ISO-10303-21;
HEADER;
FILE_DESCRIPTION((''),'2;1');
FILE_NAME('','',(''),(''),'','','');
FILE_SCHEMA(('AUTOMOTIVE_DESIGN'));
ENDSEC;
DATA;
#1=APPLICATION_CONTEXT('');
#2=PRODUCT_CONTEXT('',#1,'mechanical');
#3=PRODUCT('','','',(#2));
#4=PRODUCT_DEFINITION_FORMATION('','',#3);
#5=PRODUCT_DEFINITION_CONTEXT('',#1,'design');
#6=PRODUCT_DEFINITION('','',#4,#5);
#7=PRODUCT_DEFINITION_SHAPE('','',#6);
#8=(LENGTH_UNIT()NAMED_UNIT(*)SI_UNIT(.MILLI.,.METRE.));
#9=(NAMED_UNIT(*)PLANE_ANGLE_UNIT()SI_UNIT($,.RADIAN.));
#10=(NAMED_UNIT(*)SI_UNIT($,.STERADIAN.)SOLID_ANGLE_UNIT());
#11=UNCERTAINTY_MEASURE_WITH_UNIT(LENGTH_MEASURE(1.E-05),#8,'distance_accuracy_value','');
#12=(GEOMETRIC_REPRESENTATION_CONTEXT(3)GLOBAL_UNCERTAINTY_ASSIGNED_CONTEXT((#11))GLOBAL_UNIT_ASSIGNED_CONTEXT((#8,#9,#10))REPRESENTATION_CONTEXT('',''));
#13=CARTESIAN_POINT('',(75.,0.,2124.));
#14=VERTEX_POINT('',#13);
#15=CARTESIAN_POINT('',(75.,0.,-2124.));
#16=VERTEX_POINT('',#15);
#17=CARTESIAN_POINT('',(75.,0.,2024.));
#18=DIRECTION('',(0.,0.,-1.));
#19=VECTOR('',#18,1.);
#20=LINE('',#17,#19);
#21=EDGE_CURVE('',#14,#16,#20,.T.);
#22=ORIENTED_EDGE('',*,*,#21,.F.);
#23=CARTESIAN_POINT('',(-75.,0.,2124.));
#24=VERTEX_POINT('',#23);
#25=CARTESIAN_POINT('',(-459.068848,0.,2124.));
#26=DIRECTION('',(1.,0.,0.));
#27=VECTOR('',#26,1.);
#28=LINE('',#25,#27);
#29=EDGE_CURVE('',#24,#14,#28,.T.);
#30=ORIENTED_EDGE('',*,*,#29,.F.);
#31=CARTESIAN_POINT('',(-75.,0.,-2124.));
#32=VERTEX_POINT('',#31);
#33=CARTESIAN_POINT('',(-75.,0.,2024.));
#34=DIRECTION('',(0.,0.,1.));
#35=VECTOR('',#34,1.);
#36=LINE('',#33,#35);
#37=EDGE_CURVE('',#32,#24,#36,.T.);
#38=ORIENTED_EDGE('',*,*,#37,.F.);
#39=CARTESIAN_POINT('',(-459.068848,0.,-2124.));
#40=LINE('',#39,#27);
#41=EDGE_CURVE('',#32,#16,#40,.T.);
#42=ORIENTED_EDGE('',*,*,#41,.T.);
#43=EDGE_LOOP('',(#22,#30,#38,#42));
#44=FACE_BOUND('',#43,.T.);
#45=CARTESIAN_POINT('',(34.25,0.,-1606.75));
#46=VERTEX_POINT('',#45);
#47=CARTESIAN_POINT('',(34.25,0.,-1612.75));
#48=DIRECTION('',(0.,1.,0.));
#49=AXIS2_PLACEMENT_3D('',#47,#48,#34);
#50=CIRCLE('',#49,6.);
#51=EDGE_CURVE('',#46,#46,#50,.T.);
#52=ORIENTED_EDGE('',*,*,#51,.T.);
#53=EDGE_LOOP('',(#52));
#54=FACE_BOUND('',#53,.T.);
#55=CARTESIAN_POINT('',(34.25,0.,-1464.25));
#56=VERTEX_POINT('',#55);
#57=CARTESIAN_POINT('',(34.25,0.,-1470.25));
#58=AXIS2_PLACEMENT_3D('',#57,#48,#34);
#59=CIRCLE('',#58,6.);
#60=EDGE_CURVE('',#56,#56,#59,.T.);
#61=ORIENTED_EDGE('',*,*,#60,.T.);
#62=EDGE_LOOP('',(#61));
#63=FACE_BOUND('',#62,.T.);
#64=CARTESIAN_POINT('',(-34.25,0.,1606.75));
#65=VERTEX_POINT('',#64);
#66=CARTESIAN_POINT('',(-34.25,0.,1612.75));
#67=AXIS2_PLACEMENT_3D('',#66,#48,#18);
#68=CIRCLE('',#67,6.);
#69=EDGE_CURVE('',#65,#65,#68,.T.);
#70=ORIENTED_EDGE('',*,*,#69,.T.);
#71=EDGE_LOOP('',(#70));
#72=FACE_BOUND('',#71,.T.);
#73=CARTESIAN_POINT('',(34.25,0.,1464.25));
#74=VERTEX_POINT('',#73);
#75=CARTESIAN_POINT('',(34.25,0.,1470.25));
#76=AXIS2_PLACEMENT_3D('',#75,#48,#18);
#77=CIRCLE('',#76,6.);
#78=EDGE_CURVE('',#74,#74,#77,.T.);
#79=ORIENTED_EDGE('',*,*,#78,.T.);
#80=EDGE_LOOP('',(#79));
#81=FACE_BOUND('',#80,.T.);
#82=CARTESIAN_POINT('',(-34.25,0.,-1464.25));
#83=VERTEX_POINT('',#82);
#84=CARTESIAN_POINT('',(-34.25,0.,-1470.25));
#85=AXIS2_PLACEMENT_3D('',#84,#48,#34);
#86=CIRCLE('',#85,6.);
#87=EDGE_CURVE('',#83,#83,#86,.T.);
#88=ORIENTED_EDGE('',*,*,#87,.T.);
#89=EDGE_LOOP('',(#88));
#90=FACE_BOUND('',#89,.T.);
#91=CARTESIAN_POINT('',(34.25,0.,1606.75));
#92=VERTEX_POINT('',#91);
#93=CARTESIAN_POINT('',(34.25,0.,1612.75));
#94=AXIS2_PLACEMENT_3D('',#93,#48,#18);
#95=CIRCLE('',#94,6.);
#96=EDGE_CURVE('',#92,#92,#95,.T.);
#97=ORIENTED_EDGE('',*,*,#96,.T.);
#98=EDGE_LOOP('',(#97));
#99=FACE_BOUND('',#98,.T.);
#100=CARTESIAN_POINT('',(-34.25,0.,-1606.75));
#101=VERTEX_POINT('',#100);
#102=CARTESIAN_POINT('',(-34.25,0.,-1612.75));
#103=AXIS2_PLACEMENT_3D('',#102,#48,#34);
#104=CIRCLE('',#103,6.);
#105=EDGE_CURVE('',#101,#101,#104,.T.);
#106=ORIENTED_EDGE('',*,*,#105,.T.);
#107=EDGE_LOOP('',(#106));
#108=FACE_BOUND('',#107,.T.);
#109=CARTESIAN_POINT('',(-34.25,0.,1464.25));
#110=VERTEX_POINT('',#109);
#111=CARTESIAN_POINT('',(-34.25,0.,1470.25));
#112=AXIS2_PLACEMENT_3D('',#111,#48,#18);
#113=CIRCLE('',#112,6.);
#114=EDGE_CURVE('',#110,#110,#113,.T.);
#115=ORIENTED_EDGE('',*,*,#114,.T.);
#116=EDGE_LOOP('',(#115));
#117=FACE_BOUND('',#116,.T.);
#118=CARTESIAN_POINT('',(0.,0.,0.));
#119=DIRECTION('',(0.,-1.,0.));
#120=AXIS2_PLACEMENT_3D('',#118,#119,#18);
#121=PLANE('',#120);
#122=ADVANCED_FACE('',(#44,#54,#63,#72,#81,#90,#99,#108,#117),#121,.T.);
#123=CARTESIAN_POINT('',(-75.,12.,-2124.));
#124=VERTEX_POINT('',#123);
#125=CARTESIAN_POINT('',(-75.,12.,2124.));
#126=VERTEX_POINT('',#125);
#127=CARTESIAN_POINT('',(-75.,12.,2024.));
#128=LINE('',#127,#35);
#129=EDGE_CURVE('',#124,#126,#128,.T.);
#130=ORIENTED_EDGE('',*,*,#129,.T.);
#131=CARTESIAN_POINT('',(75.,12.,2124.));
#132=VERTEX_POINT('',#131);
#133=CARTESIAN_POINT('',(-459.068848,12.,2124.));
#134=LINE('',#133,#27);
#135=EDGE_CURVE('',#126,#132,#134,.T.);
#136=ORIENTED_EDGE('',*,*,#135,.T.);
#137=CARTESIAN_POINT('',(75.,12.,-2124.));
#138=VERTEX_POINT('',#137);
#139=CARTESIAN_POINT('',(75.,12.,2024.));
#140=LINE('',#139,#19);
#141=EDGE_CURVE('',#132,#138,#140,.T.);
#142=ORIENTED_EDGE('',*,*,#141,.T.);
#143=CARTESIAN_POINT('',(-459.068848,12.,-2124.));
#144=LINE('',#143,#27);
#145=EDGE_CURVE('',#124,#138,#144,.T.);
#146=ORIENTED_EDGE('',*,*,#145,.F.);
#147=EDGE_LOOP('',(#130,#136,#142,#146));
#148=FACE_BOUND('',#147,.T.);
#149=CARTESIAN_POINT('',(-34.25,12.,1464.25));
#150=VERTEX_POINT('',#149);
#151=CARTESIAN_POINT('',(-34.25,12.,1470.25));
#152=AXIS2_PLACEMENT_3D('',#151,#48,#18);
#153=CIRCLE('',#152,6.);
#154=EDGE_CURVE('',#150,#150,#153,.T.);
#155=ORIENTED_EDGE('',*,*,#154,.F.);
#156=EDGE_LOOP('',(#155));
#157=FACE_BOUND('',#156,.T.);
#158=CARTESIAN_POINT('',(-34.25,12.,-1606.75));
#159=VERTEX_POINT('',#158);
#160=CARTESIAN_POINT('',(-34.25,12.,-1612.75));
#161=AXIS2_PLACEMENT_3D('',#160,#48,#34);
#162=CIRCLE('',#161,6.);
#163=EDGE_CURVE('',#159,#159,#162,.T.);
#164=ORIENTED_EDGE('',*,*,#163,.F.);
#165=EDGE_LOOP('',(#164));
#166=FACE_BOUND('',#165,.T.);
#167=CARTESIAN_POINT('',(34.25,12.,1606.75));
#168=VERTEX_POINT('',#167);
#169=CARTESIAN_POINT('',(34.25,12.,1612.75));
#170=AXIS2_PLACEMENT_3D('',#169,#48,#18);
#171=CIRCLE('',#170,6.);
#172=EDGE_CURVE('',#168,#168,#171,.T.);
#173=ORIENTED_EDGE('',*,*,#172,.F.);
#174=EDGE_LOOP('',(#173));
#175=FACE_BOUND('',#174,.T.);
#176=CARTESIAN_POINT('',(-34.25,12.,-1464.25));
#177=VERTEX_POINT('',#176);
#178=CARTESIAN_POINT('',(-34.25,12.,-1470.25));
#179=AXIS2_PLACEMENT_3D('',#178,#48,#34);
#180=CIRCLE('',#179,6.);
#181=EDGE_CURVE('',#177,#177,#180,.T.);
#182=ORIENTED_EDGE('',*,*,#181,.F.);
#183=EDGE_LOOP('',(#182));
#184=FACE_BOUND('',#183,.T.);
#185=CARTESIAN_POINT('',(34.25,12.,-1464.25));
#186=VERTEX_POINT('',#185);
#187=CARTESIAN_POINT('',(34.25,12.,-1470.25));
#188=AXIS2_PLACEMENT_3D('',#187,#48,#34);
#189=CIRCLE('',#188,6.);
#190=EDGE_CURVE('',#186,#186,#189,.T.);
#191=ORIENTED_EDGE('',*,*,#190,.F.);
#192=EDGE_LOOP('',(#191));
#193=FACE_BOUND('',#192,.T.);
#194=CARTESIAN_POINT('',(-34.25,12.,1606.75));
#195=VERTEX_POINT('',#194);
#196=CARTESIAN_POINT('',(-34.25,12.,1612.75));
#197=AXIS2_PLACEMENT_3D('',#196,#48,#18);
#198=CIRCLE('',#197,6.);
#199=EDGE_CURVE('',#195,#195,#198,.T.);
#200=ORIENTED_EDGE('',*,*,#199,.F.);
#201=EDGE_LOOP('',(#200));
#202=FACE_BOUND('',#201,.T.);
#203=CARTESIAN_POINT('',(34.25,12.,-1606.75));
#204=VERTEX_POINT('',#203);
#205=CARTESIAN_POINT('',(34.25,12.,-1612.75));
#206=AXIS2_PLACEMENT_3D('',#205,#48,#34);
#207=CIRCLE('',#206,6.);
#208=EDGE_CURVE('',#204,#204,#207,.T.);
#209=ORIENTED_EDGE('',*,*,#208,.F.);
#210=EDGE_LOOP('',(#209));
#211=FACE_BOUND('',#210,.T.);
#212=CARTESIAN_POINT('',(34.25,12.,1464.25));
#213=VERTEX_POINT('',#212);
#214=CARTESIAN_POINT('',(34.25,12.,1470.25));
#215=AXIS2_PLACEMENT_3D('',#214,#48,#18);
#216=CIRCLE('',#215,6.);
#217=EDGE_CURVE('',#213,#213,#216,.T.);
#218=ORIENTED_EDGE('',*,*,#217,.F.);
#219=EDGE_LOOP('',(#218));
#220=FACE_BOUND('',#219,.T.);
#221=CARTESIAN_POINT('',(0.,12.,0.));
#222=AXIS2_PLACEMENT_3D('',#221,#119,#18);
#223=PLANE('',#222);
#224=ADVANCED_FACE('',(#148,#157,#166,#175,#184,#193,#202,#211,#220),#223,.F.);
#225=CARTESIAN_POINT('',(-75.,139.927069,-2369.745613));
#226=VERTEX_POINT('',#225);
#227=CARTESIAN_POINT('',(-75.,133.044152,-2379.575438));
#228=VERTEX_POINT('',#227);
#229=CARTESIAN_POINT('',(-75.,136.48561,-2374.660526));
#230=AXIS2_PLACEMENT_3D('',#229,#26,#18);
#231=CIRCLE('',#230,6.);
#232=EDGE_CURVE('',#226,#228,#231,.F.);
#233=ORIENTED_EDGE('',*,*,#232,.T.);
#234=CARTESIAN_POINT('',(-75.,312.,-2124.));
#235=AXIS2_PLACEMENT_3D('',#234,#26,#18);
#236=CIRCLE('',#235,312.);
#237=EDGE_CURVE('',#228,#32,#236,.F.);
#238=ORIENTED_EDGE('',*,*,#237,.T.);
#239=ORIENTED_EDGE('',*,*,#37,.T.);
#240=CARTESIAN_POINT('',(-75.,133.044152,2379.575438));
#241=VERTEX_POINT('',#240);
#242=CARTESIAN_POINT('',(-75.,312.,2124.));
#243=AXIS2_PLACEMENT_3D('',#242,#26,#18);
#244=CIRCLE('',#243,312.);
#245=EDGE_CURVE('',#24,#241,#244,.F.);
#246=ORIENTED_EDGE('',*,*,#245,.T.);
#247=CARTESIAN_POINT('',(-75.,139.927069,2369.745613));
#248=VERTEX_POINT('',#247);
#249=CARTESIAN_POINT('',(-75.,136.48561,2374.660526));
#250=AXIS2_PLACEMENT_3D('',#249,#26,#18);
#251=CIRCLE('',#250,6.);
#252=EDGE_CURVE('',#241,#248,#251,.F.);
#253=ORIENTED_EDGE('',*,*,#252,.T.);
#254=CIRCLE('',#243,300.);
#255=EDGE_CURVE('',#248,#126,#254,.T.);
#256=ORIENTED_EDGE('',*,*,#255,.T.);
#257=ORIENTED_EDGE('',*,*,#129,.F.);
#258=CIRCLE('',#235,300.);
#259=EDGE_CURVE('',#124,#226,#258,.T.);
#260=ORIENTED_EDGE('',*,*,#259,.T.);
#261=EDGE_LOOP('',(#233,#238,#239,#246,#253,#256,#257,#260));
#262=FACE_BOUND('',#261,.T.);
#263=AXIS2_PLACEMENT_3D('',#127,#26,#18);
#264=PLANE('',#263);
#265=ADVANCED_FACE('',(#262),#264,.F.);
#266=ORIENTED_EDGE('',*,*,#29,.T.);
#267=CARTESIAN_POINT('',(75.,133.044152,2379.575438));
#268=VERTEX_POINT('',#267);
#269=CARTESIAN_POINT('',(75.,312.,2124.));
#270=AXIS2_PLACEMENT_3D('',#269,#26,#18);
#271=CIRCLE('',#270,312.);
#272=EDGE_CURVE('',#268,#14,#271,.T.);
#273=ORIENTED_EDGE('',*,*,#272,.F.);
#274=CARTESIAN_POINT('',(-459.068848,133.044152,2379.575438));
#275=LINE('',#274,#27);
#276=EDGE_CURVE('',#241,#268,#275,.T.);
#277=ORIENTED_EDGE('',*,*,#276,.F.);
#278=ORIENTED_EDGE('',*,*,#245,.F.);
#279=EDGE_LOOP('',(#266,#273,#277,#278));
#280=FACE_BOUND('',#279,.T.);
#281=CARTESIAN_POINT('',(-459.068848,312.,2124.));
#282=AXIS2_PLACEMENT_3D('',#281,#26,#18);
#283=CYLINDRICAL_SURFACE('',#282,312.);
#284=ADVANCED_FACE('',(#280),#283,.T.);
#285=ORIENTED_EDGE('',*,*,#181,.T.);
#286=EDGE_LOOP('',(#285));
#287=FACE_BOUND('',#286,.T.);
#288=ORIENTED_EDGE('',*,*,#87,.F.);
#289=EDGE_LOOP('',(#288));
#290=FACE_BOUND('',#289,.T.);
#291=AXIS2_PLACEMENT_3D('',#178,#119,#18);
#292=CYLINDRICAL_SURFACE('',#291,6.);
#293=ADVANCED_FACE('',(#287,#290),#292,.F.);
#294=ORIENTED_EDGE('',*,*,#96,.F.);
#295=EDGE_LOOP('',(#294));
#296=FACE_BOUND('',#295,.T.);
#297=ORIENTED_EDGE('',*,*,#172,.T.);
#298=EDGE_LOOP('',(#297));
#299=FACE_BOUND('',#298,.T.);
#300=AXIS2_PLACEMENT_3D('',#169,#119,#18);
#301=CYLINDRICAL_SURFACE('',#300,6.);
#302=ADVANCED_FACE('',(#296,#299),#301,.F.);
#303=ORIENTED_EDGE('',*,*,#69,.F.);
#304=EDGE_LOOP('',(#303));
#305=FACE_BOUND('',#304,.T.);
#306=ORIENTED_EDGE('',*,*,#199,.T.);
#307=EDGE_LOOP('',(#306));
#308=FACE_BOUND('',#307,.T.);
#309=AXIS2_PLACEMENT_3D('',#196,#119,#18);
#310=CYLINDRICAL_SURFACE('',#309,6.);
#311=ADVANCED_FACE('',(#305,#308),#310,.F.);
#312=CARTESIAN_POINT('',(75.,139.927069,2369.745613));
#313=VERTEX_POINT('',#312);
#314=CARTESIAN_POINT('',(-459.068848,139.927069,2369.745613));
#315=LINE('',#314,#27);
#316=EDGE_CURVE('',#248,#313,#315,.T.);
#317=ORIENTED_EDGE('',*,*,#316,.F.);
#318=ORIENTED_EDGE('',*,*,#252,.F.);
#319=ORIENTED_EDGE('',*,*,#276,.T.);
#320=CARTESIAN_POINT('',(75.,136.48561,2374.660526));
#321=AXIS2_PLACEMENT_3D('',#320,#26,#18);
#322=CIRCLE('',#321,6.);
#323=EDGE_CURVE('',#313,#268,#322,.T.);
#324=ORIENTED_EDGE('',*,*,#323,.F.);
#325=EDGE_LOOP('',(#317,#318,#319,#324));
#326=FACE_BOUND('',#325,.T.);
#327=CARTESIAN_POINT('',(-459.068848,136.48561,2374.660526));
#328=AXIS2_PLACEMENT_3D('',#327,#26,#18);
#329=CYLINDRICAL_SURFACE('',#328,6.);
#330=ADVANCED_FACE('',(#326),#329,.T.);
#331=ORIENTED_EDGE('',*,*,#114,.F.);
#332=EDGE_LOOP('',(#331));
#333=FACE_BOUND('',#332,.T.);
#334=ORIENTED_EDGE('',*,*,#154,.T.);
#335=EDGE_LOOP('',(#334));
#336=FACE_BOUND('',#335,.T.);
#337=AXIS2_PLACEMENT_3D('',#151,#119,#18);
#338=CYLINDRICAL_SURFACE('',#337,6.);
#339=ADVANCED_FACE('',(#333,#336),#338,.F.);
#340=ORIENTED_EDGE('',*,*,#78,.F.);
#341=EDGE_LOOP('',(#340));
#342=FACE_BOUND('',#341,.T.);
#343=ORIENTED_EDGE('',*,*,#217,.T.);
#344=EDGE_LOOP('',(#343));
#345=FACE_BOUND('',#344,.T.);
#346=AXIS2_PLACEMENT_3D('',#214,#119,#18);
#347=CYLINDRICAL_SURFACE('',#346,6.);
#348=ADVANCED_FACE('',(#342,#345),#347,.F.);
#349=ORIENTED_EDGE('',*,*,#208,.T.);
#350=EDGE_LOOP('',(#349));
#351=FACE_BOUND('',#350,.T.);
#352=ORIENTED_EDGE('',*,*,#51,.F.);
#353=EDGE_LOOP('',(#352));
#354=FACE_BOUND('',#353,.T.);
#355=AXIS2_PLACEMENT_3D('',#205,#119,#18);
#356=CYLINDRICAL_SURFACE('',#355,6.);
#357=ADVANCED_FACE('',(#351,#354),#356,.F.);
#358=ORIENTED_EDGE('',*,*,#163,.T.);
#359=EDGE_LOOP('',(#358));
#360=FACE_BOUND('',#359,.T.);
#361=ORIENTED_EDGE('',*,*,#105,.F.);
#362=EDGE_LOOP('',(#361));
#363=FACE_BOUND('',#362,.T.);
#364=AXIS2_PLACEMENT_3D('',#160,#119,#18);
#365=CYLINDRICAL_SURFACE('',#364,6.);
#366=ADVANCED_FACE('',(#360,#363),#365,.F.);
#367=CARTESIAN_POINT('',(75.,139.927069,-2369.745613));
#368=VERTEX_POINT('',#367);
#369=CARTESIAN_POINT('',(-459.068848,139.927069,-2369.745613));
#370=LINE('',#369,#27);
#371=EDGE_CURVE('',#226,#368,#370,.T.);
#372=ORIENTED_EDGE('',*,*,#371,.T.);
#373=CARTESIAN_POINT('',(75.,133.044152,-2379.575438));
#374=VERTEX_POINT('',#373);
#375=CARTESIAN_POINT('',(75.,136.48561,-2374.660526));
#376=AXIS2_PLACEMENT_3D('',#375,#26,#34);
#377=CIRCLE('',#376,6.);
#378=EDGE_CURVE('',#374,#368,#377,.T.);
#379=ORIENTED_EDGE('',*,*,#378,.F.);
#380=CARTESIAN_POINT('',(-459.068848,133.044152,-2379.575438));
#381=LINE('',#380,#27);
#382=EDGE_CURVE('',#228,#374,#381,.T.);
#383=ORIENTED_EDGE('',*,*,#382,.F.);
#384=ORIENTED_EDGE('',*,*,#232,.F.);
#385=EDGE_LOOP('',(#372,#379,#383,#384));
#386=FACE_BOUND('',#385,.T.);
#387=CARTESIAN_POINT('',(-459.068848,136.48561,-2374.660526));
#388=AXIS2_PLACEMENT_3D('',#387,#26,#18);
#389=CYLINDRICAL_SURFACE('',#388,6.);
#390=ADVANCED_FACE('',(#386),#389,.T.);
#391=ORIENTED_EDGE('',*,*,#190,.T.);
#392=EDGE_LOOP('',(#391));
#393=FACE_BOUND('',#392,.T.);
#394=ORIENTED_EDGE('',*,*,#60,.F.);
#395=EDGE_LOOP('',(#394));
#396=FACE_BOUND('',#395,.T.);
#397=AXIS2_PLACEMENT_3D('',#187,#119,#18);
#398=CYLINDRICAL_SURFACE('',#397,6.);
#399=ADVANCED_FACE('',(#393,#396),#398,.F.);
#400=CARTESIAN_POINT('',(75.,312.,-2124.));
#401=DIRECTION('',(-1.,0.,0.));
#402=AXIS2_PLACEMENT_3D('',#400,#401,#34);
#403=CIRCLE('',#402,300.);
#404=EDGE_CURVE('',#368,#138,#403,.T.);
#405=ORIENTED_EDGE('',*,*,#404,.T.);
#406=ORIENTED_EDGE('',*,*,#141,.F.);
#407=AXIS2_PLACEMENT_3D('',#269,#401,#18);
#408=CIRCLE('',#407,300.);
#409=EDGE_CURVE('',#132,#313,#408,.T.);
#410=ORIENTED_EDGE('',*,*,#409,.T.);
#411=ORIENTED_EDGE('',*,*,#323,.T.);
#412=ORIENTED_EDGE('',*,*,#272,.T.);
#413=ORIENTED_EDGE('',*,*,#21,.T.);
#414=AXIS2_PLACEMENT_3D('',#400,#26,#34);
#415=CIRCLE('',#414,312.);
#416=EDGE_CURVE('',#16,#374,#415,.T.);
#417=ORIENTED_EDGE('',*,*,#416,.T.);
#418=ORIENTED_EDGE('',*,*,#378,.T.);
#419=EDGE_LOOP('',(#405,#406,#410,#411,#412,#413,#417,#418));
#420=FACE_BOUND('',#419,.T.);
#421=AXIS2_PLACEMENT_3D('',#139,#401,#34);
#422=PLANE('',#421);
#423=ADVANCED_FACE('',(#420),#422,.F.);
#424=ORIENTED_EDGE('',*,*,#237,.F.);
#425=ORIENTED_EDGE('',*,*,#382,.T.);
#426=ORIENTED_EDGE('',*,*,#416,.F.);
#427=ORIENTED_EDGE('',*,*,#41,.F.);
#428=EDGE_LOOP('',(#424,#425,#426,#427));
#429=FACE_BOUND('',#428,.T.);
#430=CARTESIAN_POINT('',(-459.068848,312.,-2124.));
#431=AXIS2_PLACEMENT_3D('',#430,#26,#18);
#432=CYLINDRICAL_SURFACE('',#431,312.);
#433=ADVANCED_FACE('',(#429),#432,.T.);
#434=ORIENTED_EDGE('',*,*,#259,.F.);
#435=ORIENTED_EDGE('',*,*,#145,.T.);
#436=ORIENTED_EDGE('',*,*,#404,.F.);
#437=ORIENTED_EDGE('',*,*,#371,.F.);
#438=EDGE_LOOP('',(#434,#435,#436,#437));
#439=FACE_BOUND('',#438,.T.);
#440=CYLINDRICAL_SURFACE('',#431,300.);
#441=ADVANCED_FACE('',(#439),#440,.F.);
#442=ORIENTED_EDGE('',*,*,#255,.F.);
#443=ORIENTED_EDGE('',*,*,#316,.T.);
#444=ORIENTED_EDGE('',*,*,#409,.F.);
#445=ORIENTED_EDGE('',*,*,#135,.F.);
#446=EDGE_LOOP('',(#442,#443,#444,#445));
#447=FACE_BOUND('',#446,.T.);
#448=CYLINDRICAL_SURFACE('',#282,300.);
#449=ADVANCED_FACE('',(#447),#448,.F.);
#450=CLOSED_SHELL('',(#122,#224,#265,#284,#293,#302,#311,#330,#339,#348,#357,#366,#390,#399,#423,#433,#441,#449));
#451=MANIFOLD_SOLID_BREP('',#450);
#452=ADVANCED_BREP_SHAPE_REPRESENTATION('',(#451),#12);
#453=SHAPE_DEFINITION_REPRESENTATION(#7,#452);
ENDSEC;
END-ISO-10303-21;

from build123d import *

# Parameters (mm, degrees)
SKETCH1_W           = 150
SKETCH1_H           = 4048
SKETCH1_R           = 6
BOSS_EXTRUDE1_DEPTH = 12
BOSS_EXTRUDE2_DEPTH = 150


with BuildPart() as part:
    # Sketch1 → Boss-Extrude1 (new body)
    with BuildSketch(Plane(origin=(0, 0, 0), x_dir=(1, 0, 0), z_dir=(0, 1, 0))):
        Rectangle(SKETCH1_W, SKETCH1_H)
        with Locations(Location((-34.25, 1470.25, 0), (0, 0, 270))):
            Circle(SKETCH1_R, mode=Mode.SUBTRACT)
        with Locations(Location((34.25, 1470.25, 0), (0, 0, 270))):
            Circle(SKETCH1_R, mode=Mode.SUBTRACT)
        with Locations(Location((-34.25, 1612.75, 0), (0, 0, 270))):
            Circle(SKETCH1_R, mode=Mode.SUBTRACT)
        with Locations(Location((34.25, 1612.75, 0), (0, 0, 270))):
            Circle(SKETCH1_R, mode=Mode.SUBTRACT)
        with Locations(Location((34.25, -1470.25, 0), (0, 0, 90))):
            Circle(SKETCH1_R, mode=Mode.SUBTRACT)
        with Locations(Location((-34.25, -1470.25, 0), (0, 0, 90))):
            Circle(SKETCH1_R, mode=Mode.SUBTRACT)
        with Locations(Location((34.25, -1612.75, 0), (0, 0, 90))):
            Circle(SKETCH1_R, mode=Mode.SUBTRACT)
        with Locations(Location((-34.25, -1612.75, 0), (0, 0, 90))):
            Circle(SKETCH1_R, mode=Mode.SUBTRACT)
    extrude(amount=BOSS_EXTRUDE1_DEPTH)

    # Sketch2 → Boss-Extrude2 (add)
    with BuildSketch(Plane(origin=(75, 0, 0), x_dir=(0, 0, -1), z_dir=(1, 0, 0))):
        with BuildLine():
            Line((-2024, 0), (-2124, 0))
            ThreePointArc((-2124, 0), (-2268.065567329, 35.252620048), (-2379.575437818, 133.044151858))
            ThreePointArc((-2379.575437818, 133.044151858), (-2378.101984171, 141.400522742), (-2369.745613287, 139.927069095))
            ThreePointArc((-2369.745613287, 139.927069095), (-2262.524583971, 45.896750047), (-2124, 12))
            Line((-2124, 12), (-2024, 12))
            Line((-2024, 12), (-2024, 0))
        make_face()
        with BuildLine():
            Line((2024, 12), (2124, 12))
            ThreePointArc((2124, 12), (2262.524583971, 45.896750047), (2369.745613287, 139.927069095))
            ThreePointArc((2369.745613287, 139.927069095), (2378.101984171, 141.400522742), (2379.575437818, 133.044151858))
            ThreePointArc((2379.575437818, 133.044151858), (2268.065567329, 35.252620048), (2124, 0))
            Line((2124, 0), (2024, 0))
            Line((2024, 0), (2024, 12))
        make_face()
    extrude(amount=-BOSS_EXTRUDE2_DEPTH)


solid = part.part
